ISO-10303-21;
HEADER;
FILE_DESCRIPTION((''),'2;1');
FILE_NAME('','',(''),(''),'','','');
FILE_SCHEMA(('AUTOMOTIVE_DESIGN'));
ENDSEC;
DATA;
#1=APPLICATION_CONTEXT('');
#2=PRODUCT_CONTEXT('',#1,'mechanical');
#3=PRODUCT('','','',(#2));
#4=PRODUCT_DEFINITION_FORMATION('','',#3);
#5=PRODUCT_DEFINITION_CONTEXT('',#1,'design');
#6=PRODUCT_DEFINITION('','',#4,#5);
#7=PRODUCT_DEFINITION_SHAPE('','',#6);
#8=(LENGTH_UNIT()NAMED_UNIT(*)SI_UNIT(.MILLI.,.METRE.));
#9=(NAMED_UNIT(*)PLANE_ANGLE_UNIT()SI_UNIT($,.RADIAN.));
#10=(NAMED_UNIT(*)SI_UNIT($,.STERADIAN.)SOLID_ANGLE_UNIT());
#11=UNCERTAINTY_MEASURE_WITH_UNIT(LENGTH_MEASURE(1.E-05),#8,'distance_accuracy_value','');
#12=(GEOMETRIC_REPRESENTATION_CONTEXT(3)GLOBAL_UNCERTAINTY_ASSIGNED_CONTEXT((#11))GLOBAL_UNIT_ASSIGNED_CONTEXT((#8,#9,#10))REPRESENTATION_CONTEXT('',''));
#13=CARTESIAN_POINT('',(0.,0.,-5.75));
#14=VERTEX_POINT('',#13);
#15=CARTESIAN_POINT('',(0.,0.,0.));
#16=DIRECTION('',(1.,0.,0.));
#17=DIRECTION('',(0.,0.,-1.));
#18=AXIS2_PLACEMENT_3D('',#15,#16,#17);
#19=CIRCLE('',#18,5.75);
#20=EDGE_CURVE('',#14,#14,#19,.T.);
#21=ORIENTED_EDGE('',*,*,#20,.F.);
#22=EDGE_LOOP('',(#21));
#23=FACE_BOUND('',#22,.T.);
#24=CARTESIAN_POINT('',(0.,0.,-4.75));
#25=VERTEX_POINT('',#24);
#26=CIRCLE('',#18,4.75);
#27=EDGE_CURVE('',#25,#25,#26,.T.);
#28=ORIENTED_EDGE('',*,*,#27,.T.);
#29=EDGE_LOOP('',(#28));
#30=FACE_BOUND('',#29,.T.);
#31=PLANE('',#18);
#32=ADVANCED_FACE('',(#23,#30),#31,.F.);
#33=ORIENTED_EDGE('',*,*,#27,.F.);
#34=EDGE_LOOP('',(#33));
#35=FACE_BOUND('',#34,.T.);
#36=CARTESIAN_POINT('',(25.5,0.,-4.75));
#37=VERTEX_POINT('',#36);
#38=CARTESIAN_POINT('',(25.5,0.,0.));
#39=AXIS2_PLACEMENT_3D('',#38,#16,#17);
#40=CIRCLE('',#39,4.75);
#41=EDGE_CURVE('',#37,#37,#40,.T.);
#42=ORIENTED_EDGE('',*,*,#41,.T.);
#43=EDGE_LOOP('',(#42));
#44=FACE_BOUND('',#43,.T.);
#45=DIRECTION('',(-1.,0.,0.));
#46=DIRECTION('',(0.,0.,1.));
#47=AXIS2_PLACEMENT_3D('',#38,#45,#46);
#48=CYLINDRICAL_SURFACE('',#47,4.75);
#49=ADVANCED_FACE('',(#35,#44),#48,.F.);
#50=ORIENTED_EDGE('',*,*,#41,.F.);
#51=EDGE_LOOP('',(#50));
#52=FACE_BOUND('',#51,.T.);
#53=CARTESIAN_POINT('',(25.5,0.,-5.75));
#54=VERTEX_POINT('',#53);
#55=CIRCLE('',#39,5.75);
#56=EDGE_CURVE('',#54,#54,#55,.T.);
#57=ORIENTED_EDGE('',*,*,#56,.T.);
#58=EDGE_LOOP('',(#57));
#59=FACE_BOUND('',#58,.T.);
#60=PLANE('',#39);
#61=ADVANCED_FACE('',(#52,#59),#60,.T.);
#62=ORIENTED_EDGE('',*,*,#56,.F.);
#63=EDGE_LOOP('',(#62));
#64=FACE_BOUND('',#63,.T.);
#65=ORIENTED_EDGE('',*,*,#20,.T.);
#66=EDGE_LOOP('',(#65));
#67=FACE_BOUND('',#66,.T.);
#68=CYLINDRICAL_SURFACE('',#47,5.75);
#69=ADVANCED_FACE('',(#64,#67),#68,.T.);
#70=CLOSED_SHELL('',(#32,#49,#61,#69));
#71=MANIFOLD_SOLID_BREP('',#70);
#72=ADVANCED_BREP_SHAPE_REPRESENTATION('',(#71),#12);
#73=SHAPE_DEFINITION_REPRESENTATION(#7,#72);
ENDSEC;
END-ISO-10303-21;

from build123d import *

# Parameters (mm, degrees)
ESQUISSE1_R        = 5.75
ESQUISSE1_R_2      = 4.75
EXTRU_MINCE1_DEPTH = 25.5


with BuildPart() as part:
    # Esquisse1 → Extru.-Mince1 (new body)
    with BuildSketch(Plane(origin=(0, 0, 0), x_dir=(0, 0, -1), z_dir=(1, 0, 0))):
        Circle(ESQUISSE1_R)
        Circle(ESQUISSE1_R_2, mode=Mode.SUBTRACT)
    extrude(amount=EXTRU_MINCE1_DEPTH)


solid = part.part
